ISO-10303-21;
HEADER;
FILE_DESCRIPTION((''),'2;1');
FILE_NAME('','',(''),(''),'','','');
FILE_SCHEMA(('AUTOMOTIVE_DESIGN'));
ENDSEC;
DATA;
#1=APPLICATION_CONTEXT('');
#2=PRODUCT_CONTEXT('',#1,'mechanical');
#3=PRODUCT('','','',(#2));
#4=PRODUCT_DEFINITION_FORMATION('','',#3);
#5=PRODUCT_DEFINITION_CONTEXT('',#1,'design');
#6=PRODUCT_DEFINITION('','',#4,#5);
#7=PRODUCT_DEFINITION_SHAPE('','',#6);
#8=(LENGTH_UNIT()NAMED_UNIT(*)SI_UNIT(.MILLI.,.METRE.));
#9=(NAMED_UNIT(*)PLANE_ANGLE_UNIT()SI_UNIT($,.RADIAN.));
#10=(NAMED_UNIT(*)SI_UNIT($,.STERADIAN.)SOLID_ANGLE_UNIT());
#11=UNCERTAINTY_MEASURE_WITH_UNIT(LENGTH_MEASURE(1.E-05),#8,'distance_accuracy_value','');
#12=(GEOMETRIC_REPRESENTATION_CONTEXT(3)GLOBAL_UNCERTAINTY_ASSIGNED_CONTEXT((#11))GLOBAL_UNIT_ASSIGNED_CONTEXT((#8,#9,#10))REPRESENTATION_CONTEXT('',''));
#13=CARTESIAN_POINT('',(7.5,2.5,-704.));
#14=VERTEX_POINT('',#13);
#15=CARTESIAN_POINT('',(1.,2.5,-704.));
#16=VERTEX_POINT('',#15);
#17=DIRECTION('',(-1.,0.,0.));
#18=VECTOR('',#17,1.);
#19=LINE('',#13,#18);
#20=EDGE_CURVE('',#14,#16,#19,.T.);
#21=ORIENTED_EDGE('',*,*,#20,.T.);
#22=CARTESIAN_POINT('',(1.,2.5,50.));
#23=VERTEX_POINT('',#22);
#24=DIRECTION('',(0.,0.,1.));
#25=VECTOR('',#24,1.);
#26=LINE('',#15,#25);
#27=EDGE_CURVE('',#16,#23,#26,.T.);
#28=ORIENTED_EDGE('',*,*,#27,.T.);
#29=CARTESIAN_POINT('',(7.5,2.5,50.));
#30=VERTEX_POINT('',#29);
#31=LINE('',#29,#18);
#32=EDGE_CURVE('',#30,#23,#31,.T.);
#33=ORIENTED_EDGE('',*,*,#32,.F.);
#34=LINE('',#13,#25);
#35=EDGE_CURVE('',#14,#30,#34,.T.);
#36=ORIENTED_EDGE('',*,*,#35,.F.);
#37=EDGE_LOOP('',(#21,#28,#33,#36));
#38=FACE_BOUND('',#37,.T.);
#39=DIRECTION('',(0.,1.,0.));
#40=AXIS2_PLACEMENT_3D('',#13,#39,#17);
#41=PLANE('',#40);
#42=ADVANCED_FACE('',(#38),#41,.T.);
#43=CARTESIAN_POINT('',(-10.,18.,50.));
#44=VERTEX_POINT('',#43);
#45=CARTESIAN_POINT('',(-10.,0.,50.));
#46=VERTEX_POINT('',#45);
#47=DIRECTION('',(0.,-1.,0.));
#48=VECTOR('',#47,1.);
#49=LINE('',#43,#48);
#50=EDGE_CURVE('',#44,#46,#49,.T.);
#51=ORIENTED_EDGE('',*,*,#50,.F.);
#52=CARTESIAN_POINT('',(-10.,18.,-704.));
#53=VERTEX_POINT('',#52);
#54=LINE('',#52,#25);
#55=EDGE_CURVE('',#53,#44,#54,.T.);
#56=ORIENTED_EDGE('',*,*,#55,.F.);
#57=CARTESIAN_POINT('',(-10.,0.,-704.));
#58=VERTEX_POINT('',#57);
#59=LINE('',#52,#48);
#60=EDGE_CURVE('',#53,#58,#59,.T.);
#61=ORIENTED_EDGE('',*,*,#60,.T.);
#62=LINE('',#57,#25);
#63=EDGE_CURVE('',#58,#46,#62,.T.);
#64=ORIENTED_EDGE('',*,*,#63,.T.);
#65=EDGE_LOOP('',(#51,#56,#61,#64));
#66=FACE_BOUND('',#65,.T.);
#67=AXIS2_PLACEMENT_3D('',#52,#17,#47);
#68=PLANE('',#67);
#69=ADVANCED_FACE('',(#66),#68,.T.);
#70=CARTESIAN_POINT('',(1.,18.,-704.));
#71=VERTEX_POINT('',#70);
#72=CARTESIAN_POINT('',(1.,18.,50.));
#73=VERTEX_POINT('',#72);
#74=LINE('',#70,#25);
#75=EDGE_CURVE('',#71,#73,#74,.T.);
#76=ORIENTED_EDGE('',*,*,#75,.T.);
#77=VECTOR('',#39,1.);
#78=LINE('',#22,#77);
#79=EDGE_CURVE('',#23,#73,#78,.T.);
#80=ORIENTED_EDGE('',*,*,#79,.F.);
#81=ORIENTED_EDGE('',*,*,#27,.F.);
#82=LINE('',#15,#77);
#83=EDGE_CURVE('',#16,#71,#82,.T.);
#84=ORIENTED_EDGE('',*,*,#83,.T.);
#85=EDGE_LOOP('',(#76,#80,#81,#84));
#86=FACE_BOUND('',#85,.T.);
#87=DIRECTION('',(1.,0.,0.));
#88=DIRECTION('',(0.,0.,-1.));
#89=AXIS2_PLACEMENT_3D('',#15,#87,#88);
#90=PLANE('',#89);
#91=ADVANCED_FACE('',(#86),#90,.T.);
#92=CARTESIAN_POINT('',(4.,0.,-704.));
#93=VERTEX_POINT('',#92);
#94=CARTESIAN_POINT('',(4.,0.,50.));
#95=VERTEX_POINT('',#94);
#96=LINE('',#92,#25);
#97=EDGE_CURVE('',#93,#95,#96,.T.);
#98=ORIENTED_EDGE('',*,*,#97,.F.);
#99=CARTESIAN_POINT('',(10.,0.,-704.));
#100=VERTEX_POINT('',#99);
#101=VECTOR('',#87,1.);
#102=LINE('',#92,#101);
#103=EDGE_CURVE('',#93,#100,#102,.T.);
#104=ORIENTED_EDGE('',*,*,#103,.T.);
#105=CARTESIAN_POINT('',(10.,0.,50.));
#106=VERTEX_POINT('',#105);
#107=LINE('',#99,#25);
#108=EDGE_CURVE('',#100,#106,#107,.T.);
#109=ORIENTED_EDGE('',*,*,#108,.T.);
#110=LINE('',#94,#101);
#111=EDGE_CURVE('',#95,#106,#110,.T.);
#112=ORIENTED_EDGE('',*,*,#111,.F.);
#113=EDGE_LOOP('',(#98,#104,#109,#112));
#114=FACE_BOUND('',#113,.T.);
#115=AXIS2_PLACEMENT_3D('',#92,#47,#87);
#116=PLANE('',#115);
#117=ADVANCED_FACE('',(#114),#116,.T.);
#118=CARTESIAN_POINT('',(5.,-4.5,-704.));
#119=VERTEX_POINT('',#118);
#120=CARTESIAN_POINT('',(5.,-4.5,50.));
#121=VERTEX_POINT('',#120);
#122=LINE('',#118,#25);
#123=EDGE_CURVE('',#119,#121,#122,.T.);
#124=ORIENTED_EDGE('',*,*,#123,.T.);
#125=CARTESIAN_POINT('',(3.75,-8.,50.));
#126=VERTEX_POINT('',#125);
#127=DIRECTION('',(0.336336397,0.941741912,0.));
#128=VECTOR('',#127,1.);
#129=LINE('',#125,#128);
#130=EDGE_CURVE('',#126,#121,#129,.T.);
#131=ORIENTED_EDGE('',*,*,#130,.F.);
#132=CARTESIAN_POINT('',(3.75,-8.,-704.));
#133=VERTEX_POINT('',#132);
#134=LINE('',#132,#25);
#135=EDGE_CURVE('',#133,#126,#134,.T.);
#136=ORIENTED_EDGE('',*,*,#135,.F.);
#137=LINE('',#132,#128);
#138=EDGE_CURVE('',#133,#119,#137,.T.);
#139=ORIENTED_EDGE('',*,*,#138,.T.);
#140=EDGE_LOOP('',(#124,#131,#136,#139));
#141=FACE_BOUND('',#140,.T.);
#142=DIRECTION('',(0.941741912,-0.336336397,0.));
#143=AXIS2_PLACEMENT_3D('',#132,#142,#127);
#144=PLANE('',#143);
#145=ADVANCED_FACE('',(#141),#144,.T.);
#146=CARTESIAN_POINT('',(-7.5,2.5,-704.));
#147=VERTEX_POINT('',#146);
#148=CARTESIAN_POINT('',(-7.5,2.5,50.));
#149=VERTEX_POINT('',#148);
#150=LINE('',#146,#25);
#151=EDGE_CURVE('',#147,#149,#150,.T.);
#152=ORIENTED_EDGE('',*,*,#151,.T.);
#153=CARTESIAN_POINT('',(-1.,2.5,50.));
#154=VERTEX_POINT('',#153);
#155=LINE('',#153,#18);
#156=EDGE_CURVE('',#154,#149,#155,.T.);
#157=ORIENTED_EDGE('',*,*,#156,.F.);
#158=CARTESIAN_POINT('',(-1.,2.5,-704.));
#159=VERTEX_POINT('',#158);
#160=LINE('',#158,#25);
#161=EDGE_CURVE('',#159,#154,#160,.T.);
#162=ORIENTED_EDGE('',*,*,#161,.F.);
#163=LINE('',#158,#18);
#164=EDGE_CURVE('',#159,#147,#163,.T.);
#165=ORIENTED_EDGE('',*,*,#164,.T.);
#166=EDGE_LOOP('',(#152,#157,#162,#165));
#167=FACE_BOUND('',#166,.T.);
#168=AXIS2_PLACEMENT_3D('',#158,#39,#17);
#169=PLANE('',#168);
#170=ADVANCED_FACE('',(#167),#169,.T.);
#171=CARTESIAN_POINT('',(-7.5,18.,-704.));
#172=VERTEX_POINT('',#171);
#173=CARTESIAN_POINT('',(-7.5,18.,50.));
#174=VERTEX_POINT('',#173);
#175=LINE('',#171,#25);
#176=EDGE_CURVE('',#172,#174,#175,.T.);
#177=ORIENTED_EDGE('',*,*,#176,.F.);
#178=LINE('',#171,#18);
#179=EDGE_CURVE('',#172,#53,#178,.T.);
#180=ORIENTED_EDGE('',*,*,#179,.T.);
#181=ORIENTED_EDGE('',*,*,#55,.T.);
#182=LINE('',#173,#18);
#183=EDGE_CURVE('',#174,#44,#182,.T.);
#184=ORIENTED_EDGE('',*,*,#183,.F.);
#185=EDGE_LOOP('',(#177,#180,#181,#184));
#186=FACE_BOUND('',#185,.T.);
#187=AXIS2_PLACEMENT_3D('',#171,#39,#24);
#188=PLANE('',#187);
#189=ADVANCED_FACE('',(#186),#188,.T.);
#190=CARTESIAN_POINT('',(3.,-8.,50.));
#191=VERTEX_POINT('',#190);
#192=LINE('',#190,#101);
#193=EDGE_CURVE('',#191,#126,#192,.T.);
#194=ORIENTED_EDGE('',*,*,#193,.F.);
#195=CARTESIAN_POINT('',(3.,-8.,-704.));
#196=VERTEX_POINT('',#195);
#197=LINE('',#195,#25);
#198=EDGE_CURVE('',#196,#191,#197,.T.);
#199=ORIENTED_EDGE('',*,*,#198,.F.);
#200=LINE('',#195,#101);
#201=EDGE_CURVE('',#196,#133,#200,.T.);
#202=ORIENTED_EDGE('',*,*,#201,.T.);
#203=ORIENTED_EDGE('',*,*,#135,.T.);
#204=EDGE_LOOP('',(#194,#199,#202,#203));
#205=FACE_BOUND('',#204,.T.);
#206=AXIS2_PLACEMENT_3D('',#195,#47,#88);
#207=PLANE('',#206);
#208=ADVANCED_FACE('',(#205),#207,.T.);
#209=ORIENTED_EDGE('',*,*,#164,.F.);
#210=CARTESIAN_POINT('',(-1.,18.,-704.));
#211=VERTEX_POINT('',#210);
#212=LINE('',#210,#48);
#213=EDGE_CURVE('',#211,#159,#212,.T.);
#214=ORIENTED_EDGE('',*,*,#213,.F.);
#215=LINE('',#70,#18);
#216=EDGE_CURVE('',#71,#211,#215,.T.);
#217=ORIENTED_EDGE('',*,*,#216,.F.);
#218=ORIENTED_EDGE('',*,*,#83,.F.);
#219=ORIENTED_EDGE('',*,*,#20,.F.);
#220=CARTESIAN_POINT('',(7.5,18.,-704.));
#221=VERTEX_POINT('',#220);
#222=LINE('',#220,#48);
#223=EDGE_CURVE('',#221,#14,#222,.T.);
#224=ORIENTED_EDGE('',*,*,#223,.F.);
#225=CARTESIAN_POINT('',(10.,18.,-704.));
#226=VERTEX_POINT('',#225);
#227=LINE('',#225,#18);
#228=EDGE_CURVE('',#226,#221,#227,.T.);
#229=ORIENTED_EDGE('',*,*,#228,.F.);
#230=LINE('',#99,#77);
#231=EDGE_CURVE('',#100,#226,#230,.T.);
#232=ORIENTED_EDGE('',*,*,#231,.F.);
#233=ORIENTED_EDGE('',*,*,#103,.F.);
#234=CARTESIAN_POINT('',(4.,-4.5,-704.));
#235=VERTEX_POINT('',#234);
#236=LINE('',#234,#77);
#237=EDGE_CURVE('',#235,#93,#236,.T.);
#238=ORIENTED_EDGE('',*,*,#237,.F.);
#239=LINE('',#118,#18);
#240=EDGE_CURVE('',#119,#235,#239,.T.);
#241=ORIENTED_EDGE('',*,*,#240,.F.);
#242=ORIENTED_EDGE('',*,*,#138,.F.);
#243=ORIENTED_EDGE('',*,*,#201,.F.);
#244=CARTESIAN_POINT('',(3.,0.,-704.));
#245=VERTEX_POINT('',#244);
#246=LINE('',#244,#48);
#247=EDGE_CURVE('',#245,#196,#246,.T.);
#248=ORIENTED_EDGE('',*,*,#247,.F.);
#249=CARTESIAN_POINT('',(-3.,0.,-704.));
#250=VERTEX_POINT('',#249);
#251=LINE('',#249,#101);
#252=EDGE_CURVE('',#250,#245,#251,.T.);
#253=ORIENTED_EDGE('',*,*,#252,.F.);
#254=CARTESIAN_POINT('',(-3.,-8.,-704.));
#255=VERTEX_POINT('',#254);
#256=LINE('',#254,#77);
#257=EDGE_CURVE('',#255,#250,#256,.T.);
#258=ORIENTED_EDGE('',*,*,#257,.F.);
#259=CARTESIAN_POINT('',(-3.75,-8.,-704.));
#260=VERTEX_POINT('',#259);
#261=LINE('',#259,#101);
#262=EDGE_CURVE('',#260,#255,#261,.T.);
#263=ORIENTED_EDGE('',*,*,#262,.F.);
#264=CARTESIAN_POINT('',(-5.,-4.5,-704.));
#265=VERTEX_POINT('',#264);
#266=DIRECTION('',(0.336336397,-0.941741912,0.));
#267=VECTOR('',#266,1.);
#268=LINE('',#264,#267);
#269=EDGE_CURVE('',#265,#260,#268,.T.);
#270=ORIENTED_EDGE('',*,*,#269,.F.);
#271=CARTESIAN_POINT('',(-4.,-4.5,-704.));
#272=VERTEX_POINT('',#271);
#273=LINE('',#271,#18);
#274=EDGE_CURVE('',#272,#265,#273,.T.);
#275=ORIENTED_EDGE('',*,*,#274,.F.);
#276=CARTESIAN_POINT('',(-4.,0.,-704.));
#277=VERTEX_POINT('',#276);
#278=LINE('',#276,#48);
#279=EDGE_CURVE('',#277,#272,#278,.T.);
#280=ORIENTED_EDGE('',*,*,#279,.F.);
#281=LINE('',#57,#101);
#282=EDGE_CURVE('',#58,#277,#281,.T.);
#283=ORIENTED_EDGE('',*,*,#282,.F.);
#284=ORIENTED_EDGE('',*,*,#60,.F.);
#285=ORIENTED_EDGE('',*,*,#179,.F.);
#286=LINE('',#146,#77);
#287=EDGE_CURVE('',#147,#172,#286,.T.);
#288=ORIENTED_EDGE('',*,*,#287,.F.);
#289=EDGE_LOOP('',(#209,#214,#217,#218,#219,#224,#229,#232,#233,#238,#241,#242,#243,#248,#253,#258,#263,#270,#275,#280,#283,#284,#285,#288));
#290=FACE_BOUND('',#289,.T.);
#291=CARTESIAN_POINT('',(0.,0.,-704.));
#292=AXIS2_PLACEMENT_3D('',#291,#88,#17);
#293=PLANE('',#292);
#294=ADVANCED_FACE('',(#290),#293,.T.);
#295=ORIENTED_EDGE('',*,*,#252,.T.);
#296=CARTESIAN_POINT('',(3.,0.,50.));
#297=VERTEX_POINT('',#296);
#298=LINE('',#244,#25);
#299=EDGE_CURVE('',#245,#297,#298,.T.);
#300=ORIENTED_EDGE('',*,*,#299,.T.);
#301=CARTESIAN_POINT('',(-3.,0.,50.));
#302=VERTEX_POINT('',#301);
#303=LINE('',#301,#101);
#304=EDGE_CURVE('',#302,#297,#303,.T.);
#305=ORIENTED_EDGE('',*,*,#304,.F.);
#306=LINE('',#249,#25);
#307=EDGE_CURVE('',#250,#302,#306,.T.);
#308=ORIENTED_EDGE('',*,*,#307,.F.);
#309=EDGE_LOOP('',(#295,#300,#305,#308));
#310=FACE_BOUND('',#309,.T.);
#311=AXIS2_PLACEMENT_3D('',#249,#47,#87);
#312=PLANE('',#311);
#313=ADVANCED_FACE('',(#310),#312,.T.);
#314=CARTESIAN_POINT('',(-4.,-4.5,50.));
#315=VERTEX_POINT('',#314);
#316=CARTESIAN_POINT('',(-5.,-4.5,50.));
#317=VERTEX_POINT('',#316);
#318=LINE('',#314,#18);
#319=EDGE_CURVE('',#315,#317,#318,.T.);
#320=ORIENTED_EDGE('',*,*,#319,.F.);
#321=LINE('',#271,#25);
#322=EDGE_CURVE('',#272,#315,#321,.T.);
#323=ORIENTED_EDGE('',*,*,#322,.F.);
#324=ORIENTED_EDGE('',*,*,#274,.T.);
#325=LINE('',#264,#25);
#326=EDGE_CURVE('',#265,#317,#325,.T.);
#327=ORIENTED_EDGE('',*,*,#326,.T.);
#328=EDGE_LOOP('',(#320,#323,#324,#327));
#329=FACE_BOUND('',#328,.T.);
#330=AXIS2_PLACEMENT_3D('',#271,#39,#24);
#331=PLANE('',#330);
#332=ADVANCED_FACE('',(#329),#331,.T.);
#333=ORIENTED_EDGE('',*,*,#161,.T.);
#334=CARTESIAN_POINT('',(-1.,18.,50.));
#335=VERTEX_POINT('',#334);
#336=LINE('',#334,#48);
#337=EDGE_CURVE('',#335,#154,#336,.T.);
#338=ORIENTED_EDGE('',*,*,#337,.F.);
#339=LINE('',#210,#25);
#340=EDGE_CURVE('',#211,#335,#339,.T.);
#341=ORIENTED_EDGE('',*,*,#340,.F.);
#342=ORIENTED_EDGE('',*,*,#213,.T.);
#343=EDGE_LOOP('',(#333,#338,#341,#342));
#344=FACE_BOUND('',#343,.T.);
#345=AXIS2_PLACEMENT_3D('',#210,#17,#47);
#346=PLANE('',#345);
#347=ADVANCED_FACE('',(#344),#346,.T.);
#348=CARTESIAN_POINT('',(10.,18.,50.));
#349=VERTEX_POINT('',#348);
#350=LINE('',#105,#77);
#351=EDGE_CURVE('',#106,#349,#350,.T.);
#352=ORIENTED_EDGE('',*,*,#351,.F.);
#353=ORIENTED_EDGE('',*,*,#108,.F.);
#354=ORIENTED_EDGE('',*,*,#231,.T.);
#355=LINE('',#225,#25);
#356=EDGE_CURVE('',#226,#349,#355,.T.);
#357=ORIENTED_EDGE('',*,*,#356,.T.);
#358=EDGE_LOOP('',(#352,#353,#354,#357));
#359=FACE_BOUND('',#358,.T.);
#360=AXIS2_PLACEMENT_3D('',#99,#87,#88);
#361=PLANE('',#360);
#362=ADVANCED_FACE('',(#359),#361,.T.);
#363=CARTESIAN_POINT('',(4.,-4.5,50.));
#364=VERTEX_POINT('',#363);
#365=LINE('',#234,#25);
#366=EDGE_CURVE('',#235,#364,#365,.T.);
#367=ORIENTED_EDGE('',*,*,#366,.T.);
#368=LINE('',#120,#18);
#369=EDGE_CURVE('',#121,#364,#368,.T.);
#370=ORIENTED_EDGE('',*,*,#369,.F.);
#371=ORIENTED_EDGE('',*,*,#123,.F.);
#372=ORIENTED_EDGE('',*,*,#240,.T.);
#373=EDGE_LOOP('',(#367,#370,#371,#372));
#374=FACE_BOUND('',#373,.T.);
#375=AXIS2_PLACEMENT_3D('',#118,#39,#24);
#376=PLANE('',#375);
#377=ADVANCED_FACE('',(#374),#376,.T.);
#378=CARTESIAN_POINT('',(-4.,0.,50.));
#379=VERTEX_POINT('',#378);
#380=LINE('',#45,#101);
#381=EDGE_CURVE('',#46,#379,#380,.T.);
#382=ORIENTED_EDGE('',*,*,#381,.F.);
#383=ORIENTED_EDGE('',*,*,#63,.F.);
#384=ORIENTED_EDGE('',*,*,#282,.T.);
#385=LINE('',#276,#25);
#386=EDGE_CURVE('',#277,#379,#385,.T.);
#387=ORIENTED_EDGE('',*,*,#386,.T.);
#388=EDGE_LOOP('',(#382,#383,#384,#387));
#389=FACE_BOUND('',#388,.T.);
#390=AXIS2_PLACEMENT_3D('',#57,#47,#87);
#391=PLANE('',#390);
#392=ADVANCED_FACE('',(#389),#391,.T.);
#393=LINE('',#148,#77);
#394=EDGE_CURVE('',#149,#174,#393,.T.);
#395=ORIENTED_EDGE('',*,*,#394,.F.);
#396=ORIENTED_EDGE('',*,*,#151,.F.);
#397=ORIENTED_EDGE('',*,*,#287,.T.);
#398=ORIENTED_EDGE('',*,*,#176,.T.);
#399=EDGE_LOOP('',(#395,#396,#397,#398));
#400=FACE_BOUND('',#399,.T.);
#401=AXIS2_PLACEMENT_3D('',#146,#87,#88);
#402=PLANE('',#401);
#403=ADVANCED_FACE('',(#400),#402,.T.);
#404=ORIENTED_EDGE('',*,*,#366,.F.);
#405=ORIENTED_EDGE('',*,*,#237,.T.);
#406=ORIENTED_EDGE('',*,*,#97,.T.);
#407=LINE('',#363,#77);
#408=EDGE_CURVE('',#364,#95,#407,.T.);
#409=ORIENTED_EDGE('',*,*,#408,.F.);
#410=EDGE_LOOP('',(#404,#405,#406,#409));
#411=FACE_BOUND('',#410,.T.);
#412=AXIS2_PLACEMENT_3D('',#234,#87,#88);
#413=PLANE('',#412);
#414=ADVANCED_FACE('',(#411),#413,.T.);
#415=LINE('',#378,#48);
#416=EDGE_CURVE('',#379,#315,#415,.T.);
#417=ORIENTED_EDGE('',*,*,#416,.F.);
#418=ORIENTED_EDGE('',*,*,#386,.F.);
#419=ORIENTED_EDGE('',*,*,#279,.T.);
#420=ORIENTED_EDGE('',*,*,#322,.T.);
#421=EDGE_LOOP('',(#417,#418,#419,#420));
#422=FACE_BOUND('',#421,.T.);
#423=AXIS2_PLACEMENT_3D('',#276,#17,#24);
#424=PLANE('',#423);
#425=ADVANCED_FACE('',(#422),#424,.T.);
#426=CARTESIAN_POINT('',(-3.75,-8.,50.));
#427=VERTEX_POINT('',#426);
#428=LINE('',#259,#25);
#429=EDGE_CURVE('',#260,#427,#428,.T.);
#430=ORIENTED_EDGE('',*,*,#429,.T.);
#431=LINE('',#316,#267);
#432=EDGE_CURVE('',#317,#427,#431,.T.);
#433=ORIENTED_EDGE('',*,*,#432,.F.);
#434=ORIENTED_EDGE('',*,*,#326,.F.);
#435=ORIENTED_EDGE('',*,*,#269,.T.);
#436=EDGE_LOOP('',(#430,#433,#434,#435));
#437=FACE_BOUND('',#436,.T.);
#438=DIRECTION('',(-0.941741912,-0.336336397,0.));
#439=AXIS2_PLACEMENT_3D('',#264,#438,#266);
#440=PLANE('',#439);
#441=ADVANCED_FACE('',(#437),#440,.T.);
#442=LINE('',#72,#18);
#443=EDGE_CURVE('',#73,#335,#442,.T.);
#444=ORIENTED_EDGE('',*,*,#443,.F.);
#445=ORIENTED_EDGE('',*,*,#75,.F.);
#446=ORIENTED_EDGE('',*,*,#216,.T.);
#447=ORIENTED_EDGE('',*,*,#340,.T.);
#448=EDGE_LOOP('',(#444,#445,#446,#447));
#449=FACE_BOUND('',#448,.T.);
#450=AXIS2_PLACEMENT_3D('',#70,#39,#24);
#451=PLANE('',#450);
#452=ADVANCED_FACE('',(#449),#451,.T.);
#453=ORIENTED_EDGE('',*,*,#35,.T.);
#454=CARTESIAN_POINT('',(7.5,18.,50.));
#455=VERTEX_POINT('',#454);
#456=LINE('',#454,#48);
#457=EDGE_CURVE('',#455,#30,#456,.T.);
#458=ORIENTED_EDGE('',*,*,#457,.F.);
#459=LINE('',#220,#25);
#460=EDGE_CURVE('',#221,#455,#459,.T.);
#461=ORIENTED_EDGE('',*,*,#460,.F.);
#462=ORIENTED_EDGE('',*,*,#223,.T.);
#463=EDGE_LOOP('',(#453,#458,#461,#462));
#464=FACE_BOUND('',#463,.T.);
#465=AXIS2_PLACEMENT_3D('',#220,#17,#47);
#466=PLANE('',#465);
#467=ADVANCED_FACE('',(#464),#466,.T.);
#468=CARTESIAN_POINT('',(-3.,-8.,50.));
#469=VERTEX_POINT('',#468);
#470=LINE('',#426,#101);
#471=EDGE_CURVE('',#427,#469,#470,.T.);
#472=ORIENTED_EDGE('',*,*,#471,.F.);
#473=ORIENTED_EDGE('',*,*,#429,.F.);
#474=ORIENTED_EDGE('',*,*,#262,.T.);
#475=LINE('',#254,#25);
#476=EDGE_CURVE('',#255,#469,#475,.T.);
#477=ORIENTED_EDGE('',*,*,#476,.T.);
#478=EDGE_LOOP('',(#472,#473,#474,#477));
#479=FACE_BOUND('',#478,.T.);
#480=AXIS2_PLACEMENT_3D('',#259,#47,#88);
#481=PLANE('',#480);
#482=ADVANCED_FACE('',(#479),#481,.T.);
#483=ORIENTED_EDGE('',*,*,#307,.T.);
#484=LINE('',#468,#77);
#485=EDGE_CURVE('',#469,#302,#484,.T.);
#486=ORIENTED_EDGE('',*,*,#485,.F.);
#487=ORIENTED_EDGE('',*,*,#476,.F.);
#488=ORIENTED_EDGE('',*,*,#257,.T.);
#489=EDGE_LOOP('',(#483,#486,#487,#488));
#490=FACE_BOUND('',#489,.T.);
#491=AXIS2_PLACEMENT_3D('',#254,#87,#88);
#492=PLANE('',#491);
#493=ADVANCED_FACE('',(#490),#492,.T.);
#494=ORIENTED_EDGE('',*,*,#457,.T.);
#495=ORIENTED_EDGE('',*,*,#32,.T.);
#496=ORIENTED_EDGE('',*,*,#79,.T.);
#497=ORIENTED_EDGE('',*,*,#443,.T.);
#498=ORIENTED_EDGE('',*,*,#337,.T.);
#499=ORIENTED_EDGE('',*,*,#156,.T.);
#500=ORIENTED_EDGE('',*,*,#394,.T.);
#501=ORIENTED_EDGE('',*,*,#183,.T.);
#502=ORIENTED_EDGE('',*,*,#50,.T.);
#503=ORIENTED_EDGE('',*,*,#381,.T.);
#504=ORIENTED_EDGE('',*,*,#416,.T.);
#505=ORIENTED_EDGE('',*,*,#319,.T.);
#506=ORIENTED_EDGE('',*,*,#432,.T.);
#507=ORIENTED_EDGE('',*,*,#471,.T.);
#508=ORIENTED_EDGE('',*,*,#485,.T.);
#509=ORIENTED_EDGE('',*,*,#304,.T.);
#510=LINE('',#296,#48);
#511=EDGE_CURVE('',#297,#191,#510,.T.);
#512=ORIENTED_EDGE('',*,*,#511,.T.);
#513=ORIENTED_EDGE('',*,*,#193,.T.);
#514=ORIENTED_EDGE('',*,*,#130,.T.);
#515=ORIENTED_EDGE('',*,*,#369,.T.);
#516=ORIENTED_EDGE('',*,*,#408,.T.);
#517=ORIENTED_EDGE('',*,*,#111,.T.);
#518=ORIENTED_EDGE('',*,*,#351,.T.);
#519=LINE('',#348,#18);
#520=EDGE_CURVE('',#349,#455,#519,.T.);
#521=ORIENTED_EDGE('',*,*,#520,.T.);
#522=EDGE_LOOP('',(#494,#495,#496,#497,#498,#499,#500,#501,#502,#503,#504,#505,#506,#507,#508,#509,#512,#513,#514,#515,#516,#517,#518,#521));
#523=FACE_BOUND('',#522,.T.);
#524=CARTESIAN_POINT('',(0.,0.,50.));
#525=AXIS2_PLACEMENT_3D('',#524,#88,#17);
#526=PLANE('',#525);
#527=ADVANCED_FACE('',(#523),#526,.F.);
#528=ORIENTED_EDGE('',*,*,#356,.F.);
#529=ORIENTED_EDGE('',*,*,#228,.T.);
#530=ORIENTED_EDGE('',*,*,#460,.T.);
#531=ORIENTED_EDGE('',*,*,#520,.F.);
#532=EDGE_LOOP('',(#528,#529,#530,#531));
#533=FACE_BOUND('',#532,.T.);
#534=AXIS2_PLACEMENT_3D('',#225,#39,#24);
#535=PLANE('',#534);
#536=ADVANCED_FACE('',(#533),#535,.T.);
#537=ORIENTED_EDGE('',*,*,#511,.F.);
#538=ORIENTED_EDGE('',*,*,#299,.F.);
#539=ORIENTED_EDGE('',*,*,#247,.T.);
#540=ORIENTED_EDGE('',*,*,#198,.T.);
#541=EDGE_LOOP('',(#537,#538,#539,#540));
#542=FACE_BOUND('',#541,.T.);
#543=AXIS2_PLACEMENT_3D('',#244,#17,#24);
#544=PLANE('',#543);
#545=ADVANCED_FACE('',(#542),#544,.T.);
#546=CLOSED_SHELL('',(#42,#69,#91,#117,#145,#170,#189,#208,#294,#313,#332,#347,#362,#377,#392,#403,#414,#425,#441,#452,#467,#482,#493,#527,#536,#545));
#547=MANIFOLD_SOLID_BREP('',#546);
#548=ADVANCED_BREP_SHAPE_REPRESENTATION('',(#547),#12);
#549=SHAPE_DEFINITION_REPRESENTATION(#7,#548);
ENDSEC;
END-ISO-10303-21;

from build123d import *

# Parameters (mm, degrees)
BOSS_EXTRU_1_DEPTH = 754


with BuildPart() as part:
    # Esquisse1 → Boss.-Extru.1 (new body)
    with BuildSketch(Plane.XY.offset(50)):
        Polygon((-1, 2.5), (-7.5, 2.5), (-7.5, 17.999999998), (-10, 17.999999998), (-10, 0), (-4, 0), (-4, -4.5), (-5, -4.5), (-3.75, -8), (-3, -8), (-3, 0), (3, 0), (3, -8), (3.75, -8), (5, -4.5), (4, -4.5), (4, 0), (10, 0), (10, 17.999999998), (7.5, 17.999999998), (7.5, 2.5), (1, 2.5), (1, 17.999999998), (-1, 17.999999998), align=None)
    extrude(amount=-BOSS_EXTRU_1_DEPTH)


solid = part.part
